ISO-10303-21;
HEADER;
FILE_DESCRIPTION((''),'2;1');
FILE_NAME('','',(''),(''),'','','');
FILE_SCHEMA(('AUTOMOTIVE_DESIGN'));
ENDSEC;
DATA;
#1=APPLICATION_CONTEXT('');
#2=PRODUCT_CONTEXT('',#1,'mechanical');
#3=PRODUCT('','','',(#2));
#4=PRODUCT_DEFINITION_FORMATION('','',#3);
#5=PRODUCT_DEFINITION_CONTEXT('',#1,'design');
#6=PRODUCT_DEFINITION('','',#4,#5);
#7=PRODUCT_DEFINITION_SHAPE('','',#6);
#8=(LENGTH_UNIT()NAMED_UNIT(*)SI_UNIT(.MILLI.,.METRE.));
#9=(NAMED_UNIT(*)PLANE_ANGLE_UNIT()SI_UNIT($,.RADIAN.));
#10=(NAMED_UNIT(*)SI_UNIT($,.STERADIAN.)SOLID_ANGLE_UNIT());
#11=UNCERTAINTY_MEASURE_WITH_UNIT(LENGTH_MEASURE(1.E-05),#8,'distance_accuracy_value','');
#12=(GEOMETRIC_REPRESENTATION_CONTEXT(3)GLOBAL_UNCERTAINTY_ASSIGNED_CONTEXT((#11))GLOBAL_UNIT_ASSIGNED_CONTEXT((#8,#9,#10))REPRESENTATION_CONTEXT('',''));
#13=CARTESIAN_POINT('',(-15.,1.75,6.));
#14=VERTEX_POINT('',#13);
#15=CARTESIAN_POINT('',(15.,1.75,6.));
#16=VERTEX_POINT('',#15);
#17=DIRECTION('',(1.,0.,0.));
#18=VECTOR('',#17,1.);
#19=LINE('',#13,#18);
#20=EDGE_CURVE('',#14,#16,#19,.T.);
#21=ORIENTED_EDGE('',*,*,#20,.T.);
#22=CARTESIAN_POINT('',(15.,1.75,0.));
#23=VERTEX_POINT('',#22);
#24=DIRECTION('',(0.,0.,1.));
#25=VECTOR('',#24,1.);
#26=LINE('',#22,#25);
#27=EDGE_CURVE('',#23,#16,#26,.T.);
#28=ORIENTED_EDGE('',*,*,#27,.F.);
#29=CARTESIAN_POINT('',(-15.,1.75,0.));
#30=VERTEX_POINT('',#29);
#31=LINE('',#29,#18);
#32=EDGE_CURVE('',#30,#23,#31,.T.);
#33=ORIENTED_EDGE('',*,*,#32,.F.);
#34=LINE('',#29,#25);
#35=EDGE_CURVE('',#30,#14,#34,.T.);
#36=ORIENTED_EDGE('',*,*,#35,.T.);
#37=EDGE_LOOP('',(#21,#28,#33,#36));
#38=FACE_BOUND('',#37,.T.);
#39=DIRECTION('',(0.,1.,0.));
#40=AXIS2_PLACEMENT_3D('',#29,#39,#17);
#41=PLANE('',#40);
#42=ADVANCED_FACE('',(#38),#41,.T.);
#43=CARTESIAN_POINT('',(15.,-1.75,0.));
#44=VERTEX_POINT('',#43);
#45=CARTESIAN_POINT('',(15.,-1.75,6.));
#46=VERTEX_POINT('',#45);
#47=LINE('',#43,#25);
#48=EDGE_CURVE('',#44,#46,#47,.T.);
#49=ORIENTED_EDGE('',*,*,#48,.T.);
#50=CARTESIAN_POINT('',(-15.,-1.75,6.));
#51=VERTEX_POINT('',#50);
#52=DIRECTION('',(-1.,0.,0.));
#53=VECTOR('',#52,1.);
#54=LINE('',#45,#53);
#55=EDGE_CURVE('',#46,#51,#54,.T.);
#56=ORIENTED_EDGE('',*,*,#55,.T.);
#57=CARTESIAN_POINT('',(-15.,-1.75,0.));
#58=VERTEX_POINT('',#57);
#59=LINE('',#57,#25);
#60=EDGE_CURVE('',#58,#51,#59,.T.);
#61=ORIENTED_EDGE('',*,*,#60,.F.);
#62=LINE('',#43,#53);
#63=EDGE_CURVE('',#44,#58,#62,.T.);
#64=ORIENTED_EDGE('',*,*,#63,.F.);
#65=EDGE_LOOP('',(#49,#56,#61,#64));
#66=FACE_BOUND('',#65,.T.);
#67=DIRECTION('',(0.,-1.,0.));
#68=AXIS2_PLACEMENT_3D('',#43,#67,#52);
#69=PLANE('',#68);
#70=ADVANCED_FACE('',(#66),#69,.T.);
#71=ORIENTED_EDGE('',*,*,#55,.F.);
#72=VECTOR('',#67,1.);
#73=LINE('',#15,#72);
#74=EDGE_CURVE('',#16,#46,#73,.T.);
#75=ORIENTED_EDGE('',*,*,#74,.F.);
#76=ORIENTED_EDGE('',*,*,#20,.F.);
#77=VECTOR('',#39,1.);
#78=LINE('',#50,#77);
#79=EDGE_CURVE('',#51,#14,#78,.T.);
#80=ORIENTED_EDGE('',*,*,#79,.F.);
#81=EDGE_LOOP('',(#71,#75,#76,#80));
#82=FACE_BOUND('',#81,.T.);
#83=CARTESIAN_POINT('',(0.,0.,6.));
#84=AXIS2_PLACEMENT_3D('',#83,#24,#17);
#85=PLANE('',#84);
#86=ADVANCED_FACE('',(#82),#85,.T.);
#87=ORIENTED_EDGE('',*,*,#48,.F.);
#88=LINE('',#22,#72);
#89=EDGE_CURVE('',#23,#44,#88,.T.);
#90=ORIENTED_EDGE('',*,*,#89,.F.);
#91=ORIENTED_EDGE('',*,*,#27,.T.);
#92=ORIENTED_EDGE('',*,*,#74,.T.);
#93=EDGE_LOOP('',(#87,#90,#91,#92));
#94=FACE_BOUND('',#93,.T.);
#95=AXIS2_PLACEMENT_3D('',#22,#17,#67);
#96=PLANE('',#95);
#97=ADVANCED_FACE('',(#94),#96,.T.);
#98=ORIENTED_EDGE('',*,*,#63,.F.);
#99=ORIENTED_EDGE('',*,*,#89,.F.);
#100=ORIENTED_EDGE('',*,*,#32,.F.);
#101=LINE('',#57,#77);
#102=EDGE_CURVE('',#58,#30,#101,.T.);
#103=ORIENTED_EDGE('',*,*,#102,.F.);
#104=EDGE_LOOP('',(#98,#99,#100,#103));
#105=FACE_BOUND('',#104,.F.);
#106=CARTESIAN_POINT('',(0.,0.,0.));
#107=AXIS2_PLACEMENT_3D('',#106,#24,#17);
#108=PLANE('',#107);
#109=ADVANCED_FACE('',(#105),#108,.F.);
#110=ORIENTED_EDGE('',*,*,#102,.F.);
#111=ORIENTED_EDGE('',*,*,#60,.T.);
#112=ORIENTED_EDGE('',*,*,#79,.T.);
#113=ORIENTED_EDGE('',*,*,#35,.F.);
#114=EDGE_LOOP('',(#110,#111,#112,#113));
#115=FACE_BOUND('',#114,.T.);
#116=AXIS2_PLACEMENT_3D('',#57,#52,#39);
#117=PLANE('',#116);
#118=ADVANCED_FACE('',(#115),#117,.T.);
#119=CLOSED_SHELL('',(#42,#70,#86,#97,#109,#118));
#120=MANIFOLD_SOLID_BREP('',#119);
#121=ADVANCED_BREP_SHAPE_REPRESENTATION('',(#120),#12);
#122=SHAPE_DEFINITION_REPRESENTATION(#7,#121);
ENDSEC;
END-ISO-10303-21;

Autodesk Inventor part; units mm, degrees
ref_plane "YZ Plane" through (0, 0, 0) normal (1, 0, 0) x (0, 1, 0)
ref_plane "XZ Plane" through (0, 0, 0) normal (0, 1, 0) x (-1, 0, 0)
ref_plane "XY Plane" through (0, 0, 0) normal (0, 0, 1) x (1, 0, 0)
sketch "Sketch1" plane through (0, 0, 0) normal (0, 0, 1) x (1, 0, 0)
  line L0 (-15, 1.75) -> (15, 1.75)
  line L1 (15, 1.75) -> (15, -1.75)
  line L2 (15, -1.75) -> (-15, -1.75)
  line L3 (-15, -1.75) -> (-15, 1.75)
  line L4 (-15, 1.75) -> (15, -1.75) construction
  line L5 (15, 1.75) -> (-15, -1.75) construction
  point P0 (0, 0)
  dimension "d0" = 30
  dimension "d1" = 3.5
extrude "Extrusion1" add sketch "Sketch1" along normal blind 6
properties part number "top2_CPY"
